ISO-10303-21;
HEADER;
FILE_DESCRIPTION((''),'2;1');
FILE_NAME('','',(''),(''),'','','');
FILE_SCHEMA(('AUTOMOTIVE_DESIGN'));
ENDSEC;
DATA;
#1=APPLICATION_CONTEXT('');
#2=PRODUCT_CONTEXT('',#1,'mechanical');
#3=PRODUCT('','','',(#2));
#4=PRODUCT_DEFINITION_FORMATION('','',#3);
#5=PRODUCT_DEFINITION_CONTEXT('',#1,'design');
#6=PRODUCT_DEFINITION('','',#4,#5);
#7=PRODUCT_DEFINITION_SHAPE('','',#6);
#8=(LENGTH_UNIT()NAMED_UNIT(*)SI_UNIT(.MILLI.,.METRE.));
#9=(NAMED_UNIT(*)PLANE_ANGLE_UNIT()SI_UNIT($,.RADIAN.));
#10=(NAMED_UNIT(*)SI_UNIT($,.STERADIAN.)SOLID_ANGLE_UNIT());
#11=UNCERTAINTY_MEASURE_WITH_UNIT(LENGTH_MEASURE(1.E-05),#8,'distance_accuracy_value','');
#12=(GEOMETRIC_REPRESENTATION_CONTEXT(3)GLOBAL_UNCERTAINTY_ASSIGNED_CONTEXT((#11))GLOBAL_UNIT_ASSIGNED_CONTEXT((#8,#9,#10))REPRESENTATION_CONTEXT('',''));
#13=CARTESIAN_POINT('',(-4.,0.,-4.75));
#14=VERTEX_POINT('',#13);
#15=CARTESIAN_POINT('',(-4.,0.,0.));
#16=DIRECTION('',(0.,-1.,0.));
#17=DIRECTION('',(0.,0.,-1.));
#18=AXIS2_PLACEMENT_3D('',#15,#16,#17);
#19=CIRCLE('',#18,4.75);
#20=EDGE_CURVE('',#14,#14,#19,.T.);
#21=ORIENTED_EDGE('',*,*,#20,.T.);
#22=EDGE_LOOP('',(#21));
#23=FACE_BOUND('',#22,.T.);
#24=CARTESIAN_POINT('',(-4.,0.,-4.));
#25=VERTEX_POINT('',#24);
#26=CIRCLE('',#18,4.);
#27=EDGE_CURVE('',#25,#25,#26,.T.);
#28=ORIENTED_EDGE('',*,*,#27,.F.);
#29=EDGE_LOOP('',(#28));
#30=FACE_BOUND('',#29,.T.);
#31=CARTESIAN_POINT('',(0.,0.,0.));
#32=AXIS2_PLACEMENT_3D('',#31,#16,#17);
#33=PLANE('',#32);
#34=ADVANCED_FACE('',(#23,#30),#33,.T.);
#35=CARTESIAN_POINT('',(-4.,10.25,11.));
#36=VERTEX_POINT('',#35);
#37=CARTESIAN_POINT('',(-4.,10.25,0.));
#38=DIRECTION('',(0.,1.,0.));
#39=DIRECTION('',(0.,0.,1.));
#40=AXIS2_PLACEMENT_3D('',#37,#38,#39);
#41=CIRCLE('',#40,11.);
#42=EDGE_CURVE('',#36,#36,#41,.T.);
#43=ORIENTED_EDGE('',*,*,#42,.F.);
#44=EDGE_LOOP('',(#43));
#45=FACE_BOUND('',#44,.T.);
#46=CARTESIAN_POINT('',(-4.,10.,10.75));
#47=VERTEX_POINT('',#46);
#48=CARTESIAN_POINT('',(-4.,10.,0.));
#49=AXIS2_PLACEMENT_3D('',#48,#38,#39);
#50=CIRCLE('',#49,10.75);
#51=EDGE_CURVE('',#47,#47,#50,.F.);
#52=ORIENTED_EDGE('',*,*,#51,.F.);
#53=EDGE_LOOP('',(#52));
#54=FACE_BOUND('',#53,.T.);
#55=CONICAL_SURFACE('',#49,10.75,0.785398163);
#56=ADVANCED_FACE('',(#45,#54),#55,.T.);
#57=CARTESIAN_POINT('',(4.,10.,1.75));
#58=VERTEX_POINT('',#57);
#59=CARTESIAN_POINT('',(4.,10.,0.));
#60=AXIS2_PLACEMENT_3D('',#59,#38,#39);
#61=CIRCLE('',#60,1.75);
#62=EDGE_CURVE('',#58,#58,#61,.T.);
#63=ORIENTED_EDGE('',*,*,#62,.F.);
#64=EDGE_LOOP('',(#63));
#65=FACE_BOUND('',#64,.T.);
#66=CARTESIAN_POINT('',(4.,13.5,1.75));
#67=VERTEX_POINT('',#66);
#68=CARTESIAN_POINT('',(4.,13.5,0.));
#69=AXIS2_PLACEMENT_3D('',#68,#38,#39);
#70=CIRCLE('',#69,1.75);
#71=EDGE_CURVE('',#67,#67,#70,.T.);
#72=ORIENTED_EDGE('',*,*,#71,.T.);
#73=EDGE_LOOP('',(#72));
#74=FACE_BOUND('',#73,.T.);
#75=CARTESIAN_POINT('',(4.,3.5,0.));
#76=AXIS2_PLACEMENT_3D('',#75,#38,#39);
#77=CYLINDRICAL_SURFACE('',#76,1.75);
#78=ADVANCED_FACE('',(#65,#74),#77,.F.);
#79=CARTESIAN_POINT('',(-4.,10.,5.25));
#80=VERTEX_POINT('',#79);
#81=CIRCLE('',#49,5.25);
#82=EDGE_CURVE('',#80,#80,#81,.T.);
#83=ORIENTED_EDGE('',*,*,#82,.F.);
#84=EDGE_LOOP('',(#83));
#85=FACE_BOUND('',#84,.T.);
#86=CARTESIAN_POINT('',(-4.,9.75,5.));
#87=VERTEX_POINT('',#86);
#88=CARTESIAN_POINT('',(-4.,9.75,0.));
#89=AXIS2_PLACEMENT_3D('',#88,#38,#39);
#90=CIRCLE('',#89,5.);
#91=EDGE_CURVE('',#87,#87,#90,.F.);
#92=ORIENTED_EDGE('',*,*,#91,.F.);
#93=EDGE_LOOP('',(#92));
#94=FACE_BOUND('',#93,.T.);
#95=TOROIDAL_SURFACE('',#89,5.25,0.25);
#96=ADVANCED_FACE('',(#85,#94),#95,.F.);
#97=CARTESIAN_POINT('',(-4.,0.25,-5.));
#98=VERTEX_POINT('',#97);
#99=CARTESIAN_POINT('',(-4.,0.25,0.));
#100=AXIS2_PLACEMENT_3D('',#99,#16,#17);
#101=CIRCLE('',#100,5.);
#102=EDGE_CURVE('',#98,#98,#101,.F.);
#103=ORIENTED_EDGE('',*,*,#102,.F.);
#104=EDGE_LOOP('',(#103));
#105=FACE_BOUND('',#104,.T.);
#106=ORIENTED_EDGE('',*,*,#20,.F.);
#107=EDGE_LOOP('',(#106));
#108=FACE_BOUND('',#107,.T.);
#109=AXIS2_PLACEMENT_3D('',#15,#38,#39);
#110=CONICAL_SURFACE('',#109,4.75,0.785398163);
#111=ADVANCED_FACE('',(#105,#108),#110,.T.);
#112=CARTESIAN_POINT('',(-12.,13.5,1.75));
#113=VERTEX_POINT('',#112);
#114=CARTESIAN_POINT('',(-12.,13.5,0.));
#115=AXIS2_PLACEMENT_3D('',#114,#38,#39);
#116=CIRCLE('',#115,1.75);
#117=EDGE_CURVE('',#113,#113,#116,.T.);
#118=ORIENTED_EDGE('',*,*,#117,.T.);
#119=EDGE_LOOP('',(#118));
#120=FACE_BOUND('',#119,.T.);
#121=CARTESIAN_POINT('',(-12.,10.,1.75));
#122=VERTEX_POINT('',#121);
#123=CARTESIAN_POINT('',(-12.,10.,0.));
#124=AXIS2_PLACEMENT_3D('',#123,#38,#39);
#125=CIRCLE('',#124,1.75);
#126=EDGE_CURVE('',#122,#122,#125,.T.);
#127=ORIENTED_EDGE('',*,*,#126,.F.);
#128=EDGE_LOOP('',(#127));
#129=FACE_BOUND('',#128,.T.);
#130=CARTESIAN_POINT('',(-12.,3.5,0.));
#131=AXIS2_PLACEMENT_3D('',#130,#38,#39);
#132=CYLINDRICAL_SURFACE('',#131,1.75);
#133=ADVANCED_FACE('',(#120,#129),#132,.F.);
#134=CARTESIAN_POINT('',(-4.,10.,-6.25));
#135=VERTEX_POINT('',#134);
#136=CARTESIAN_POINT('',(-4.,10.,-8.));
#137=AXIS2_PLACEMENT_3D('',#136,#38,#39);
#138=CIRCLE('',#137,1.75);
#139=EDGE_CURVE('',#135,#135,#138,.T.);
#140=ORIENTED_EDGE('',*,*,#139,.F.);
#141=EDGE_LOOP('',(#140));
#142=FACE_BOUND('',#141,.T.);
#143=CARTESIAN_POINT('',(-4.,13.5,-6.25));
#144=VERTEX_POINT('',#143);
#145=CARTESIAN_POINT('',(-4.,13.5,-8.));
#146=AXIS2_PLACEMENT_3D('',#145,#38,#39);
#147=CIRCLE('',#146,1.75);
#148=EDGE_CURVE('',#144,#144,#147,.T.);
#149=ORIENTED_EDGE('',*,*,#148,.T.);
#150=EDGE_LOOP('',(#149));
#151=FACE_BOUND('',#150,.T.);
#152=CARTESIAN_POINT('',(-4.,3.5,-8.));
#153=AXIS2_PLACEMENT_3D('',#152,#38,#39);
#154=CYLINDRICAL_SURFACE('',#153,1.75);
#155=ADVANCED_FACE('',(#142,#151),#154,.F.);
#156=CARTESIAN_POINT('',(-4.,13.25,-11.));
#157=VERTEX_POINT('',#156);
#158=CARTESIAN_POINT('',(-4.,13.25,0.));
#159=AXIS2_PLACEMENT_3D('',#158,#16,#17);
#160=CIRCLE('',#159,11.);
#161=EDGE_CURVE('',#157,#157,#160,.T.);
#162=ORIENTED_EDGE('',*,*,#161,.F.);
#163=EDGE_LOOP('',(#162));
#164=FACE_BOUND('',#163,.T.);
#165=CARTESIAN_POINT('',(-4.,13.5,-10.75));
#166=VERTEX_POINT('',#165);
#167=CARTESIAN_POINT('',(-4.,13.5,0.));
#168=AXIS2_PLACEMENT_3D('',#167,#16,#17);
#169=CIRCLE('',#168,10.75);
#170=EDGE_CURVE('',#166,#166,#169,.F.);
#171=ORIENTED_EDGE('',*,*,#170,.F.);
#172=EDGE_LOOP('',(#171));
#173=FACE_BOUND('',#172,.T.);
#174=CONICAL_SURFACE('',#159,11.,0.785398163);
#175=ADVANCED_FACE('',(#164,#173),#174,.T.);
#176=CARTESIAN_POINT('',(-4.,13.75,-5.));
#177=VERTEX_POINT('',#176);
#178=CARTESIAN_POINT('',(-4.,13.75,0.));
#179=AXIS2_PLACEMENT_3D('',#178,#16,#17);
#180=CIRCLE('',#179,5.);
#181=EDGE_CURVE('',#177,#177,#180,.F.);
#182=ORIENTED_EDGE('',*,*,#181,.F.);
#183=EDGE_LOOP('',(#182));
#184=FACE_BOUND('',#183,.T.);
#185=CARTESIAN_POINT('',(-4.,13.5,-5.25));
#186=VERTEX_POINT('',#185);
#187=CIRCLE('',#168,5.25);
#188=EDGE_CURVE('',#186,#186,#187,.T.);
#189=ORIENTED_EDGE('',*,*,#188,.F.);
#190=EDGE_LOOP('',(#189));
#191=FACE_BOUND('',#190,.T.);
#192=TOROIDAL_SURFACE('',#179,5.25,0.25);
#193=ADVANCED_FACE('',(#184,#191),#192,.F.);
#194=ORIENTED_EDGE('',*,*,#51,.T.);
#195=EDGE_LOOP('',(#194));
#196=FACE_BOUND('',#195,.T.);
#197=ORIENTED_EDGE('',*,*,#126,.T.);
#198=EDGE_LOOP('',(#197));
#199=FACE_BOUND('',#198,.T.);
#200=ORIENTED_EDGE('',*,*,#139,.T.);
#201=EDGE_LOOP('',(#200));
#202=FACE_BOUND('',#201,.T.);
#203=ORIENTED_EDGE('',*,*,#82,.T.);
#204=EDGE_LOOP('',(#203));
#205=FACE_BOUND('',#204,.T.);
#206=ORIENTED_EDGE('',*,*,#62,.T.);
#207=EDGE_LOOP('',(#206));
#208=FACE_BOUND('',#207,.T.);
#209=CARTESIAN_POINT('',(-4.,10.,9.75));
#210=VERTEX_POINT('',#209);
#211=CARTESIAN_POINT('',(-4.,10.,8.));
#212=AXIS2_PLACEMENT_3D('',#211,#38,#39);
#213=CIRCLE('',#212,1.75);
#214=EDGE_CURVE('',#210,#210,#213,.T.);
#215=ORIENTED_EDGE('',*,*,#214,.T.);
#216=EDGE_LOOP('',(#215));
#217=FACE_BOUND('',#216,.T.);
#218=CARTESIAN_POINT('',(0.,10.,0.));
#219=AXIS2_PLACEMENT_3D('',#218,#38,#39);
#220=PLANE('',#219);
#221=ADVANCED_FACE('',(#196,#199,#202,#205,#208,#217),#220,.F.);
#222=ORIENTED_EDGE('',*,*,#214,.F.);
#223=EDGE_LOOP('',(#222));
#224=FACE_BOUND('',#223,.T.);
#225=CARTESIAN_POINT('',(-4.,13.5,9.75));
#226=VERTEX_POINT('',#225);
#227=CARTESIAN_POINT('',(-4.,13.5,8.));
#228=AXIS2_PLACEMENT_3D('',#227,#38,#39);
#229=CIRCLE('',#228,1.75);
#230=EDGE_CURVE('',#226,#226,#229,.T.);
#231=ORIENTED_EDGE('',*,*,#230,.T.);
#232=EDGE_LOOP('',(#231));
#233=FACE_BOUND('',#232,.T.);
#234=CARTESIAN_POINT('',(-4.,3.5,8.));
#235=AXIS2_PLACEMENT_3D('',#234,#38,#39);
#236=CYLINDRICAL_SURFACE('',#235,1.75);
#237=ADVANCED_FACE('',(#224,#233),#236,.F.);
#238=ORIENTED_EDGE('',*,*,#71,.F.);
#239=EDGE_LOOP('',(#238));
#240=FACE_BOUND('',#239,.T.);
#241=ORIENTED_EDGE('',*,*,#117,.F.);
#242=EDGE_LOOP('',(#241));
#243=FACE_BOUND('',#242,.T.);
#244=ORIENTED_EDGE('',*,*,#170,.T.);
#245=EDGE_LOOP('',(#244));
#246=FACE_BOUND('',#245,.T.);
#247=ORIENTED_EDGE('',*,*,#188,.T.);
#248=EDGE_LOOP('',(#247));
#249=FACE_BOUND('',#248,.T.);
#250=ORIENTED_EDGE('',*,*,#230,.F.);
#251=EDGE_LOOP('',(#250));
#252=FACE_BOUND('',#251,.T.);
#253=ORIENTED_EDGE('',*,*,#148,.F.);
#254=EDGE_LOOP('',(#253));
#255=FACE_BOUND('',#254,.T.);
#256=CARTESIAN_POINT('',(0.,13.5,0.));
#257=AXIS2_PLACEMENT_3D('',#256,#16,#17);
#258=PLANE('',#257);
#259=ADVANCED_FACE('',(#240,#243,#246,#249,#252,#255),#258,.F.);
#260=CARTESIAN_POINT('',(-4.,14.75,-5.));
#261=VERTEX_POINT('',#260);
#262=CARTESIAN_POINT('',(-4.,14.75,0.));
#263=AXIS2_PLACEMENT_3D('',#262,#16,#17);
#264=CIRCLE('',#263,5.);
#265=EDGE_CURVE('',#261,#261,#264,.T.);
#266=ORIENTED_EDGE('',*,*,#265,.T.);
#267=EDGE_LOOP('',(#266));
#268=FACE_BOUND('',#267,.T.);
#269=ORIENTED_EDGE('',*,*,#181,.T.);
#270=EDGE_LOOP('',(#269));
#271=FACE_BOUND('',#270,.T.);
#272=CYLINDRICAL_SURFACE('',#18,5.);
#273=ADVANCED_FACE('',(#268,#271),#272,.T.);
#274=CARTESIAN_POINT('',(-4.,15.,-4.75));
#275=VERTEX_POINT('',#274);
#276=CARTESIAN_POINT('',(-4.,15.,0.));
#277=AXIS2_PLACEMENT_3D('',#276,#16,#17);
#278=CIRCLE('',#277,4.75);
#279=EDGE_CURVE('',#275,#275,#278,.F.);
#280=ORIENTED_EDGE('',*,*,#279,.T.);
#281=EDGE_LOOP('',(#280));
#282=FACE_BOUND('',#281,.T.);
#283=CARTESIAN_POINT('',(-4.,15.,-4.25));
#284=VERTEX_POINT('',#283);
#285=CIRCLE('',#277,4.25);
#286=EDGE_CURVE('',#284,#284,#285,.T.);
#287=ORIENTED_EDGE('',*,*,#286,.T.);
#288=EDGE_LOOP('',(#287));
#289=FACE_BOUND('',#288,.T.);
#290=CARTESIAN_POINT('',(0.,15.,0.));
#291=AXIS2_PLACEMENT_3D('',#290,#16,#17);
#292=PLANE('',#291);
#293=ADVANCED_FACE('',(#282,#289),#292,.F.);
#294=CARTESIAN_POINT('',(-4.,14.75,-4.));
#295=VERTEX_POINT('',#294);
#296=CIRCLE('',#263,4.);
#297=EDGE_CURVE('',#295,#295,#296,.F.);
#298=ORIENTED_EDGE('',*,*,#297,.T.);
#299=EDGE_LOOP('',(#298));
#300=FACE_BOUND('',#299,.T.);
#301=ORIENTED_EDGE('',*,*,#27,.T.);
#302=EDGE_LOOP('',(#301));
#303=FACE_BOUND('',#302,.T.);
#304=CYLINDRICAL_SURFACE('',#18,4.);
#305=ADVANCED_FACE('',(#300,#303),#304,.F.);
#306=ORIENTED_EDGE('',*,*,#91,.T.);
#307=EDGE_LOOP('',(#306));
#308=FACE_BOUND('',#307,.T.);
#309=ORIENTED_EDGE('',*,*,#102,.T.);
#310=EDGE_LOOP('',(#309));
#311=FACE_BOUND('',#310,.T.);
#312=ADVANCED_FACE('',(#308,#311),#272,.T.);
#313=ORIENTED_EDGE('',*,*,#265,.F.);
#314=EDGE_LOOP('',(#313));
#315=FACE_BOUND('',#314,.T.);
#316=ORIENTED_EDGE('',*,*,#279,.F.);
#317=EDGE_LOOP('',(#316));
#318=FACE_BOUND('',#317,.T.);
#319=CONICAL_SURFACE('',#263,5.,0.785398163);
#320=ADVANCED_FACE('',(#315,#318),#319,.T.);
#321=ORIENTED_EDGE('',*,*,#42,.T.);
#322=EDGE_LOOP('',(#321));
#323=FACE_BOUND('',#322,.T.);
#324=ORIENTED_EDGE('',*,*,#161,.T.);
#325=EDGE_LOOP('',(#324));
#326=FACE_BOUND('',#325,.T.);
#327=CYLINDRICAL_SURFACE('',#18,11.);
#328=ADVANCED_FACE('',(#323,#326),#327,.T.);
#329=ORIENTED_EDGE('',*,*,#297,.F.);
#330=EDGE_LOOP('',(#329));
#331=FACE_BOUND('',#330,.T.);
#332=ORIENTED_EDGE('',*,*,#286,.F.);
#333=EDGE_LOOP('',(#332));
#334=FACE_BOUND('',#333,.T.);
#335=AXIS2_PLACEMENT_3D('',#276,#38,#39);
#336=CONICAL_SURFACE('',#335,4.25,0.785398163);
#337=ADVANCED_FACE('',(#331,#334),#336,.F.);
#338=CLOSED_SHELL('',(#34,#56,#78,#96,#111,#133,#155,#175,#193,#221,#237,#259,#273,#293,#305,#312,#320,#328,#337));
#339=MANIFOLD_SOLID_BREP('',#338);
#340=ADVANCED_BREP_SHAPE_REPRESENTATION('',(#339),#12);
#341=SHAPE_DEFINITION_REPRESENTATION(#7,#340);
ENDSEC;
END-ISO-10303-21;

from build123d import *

# Parameters (mm, degrees)
SCHIZZO2_R               = 1.75
TAGLIO_ESTRUSIONE1_DEPTH = 10
SMUSSO1_SIZE             = 0.25
RACCORDO1_R              = 0.25


with BuildPart() as part:
    # Schizzo1 → Rivoluzione1 (revolve)
    with BuildSketch(Plane.XY):
        Polygon((0, 0), (0, 15), (1, 15), (1, 13.5), (7, 13.5), (7, 10), (1, 10), (1, 0), align=None)
    revolve(axis=Axis((-4, 0, 0), (0, 1, 0)))

    # Schizzo2 → Taglio-Estrusione1 (cut)
    with BuildSketch(Plane(origin=(0, 13.5, 0), x_dir=(1, 0, 0), z_dir=(0, 1, 0))):
        with Locations((-4, -8)):
            Circle(SCHIZZO2_R)
        with Locations((-12, 0)):
            Circle(SCHIZZO2_R)
        with Locations((-4, 8)):
            Circle(SCHIZZO2_R)
        with Locations((4, 0)):
            Circle(SCHIZZO2_R)
    extrude(amount=-TAGLIO_ESTRUSIONE1_DEPTH, mode=Mode.SUBTRACT)

    # Smusso1
    smusso1_edges = [part.edges().sort_by_distance(p)[0] for p in [
        (-15, 10, 0),
        (-9, 0, 0),
        (-8, 15, 0),
        (-9, 15, 0),
        (-15, 13.5, 0),
    ]]
    chamfer(smusso1_edges, length=SMUSSO1_SIZE)

    # Raccordo1
    raccordo1_edges = [part.edges().sort_by_distance(p)[0] for p in [
        (-9, 10, 0),
        (-9, 13.5, 0),
    ]]
    fillet(raccordo1_edges, radius=RACCORDO1_R)


solid = part.part
